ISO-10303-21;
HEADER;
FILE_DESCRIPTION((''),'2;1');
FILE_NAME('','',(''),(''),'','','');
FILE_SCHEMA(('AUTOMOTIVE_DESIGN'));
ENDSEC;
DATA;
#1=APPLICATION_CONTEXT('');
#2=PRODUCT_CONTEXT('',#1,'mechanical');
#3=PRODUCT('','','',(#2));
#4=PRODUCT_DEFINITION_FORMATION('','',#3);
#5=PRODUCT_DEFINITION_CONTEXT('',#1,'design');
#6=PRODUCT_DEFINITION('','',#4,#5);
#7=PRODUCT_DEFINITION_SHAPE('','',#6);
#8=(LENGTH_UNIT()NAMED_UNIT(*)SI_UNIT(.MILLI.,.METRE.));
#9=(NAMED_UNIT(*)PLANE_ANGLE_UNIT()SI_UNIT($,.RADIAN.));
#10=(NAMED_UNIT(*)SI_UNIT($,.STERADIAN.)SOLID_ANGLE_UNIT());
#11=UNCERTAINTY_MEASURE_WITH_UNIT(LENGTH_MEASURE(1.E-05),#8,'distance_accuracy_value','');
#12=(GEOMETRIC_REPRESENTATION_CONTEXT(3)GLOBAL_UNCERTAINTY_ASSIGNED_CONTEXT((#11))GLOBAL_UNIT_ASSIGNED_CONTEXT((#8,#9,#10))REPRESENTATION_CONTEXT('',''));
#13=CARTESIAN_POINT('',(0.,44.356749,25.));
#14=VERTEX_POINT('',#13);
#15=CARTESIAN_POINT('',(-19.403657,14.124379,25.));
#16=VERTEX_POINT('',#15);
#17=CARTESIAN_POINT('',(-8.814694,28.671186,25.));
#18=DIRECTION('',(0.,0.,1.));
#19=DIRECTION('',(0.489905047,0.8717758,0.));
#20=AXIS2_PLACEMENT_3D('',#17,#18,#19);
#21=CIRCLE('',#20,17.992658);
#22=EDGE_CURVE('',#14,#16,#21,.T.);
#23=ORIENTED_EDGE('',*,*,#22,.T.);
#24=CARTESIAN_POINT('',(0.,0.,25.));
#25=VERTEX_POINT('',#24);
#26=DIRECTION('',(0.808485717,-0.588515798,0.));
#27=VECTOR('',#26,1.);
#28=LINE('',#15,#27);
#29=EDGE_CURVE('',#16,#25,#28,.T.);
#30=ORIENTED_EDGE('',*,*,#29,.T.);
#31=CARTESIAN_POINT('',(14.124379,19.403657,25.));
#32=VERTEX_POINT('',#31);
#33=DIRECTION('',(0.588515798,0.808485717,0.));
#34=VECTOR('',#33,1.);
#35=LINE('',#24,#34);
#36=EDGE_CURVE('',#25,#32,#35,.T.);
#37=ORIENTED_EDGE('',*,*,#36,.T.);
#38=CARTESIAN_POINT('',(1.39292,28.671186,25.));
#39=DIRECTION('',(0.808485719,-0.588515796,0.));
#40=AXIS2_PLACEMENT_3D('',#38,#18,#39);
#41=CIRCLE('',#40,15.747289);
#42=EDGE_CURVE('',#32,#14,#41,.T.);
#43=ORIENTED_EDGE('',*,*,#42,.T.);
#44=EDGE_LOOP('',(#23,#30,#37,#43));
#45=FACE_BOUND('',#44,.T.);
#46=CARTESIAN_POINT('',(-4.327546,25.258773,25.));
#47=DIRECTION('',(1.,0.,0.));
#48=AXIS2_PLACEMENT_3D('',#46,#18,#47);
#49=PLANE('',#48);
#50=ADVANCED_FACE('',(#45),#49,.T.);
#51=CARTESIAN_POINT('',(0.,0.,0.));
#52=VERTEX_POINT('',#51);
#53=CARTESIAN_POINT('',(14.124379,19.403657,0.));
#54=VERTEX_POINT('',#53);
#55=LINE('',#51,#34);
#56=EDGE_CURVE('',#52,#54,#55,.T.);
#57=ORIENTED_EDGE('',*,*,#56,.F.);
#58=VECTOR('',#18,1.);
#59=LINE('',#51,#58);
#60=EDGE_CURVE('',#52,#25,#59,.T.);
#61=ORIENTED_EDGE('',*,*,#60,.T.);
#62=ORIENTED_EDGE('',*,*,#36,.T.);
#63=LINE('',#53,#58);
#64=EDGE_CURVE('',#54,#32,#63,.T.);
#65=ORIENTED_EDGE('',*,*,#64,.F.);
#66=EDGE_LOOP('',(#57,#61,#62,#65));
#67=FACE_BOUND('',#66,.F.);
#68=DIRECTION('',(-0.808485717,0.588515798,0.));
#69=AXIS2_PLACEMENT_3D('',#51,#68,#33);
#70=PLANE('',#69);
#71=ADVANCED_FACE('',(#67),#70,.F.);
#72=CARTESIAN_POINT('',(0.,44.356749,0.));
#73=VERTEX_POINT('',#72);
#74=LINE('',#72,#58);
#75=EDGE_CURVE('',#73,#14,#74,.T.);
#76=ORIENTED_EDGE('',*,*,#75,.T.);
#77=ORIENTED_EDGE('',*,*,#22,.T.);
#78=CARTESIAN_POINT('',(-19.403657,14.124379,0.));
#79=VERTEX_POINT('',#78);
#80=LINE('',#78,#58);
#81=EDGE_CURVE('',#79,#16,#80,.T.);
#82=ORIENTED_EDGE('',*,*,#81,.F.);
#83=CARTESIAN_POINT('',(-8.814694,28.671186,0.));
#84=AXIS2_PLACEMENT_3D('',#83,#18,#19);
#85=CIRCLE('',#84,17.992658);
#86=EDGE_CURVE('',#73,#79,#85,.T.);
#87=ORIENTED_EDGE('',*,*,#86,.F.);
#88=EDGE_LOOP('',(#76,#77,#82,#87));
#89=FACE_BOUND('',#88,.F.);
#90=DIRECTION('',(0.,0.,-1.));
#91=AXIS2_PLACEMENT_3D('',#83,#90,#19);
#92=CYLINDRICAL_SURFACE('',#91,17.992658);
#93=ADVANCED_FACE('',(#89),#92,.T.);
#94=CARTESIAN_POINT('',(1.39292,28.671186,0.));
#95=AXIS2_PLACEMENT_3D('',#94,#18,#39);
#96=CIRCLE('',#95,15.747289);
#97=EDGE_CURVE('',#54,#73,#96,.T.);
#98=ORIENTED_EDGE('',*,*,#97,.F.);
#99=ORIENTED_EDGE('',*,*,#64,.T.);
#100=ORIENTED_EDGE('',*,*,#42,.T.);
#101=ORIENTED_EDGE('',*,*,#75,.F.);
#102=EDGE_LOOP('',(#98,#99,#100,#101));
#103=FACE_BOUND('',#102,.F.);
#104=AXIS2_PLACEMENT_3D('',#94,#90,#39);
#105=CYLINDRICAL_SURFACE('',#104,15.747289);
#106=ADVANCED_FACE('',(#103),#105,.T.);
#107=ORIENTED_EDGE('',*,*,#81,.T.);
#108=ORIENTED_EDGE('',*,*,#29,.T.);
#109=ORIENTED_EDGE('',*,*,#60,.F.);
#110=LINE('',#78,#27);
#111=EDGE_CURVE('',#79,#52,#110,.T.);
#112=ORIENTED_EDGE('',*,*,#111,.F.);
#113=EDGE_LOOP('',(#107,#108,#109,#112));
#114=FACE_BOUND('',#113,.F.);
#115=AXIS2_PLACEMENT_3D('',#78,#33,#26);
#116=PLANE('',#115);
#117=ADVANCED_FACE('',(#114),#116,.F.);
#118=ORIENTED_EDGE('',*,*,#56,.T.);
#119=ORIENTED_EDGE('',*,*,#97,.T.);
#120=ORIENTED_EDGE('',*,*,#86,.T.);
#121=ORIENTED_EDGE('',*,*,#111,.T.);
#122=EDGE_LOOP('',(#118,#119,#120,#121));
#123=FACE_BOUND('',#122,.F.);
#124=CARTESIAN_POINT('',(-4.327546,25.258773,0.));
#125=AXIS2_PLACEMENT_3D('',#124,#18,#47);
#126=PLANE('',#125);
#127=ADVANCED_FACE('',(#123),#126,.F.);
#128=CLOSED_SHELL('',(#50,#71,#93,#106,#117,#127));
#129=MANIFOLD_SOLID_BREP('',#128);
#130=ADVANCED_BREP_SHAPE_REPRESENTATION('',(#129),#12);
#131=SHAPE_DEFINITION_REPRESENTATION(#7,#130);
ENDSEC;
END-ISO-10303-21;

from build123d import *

# Parameters (mm, degrees)
F1_DEPTH = 25


with BuildPart() as f1:
    # F0 (on Top) → F1 (new body)
    with BuildSketch(Plane.XY):
        with BuildLine():
            Line((-19.403657, 14.124379), (0, 0))
            Line((0, 0), (14.124379, 19.403657))
            ThreePointArc((14.124379, 19.403657), (15.09711, 36.428267), (0, 44.356749))
            ThreePointArc((0, 44.356749), (-23.956888, 38.389708), (-19.403657, 14.124379))
        make_face()
    extrude(amount=F1_DEPTH)


solid = f1.part
